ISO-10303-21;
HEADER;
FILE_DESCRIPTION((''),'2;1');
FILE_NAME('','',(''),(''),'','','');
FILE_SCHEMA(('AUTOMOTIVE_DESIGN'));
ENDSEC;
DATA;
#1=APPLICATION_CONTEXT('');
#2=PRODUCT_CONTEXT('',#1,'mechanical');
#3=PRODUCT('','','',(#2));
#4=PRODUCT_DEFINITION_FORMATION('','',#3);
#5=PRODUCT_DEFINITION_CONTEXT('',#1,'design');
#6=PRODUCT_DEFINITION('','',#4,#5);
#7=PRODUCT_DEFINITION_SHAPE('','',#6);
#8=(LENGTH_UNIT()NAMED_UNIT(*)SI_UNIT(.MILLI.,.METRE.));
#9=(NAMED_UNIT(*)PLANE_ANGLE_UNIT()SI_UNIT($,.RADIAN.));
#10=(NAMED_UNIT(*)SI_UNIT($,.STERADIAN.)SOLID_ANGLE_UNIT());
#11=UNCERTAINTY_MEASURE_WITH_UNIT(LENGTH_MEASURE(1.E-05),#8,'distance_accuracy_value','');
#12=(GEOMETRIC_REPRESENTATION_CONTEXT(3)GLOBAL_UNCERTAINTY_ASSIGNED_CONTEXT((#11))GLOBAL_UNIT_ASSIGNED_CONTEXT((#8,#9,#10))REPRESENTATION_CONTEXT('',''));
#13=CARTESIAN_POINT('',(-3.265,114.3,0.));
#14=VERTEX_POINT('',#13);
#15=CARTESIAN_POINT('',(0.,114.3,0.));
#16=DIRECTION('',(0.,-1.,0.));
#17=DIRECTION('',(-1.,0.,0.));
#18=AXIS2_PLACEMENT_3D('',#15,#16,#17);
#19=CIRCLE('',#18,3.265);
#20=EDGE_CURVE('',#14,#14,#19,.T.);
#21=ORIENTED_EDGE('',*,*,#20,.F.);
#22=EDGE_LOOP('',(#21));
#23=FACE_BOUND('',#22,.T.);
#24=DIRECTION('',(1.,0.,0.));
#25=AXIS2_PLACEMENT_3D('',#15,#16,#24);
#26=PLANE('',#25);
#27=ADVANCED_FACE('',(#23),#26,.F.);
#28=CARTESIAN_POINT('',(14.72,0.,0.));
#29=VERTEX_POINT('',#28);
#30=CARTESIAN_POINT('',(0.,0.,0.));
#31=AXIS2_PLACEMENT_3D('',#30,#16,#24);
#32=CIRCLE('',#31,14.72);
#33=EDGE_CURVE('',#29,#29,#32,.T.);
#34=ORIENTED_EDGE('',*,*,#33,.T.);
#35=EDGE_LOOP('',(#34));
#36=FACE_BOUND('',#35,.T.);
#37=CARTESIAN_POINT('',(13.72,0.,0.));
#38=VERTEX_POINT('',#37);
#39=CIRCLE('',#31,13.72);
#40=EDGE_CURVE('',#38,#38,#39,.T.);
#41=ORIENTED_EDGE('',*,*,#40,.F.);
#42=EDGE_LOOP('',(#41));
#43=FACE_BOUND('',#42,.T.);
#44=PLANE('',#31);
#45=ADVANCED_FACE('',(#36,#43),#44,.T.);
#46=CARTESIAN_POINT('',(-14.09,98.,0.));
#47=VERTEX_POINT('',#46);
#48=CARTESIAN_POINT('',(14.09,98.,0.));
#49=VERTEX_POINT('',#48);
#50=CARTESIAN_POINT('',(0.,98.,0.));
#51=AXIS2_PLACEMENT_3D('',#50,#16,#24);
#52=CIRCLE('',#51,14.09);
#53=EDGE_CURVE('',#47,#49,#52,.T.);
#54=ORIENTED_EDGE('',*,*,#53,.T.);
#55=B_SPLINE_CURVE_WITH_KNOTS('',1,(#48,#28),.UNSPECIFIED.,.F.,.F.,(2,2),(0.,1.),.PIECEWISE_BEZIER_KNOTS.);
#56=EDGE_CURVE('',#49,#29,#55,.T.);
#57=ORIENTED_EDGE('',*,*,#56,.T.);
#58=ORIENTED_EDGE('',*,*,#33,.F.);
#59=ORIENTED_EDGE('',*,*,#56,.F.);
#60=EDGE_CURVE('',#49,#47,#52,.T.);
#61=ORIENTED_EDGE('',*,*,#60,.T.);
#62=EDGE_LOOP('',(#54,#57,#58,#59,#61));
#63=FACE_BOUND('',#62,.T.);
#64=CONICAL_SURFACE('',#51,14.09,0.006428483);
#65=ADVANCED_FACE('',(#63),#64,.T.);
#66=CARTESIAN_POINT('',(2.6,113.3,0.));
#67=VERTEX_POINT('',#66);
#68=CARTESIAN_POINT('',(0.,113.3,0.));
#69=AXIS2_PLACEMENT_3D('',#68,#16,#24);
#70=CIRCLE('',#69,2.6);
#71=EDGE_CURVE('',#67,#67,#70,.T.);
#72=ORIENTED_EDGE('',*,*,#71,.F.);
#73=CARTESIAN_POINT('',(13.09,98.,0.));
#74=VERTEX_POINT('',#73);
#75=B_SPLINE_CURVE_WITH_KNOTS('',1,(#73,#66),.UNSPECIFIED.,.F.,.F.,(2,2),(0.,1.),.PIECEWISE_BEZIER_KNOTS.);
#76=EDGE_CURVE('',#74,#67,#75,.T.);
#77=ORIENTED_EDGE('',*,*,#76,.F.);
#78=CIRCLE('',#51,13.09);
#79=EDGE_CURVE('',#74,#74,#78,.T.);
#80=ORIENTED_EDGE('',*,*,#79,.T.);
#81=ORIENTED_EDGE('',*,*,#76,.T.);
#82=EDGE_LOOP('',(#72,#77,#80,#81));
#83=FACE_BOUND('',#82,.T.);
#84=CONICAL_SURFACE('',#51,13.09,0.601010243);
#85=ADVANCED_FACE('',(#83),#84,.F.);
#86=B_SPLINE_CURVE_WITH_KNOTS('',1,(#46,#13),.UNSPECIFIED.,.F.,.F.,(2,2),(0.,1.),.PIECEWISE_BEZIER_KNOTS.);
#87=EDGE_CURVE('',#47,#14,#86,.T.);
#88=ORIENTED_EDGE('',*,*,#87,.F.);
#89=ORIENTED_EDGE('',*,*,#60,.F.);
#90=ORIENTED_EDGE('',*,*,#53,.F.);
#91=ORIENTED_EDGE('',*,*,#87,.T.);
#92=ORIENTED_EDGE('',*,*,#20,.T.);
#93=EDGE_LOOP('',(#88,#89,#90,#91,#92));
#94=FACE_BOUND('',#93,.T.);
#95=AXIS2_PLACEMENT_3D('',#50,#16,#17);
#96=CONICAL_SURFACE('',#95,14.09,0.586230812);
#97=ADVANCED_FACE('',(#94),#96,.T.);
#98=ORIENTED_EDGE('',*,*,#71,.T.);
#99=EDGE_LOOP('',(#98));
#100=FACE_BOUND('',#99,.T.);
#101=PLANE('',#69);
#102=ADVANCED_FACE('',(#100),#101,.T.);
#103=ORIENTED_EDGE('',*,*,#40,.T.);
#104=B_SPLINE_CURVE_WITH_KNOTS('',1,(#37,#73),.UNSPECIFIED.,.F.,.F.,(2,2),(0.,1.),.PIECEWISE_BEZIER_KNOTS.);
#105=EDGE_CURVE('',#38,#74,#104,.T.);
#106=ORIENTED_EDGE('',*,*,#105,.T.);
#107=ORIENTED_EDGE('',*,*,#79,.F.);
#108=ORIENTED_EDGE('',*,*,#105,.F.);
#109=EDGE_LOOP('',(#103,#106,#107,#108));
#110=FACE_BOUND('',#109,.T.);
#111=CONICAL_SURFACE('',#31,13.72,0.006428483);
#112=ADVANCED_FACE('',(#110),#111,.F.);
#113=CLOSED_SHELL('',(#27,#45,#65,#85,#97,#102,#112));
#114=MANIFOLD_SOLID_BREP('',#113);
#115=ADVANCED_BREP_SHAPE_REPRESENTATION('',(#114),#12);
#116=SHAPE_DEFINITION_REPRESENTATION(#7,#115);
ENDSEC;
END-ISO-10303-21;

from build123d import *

# Parameters (mm, degrees)
F2_R       = 14.09
F0_R       = 14.72
F3_FACE_R  = 14.09
F7_R       = 3.265
F4_R       = 13.72
F5_R       = 13.09
F10_FACE_R = 13.09
F11_R      = 2.6


with BuildPart() as f3:
    # F2 (on offset) → F3 section 0
    with BuildSketch(Plane.XZ.offset(-98)):
        Circle(F2_R)
    # F0 (on Front) → F3 section 1
    with BuildSketch(Plane.XZ):
        Circle(F0_R)
    loft()

    # F3_face (on face) → F9 section 0
    with BuildSketch(Plane(origin=(0, 98, 0), x_dir=(-1, 0, 0), z_dir=(0, 1, 0))):
        Circle(F3_FACE_R)
    # F7 (on offset) → F9 section 1
    with BuildSketch(Plane.XZ.offset(-114.3)):
        Circle(F7_R)
    loft()

    # F4 (on Front) → F10 section 0
    with BuildSketch(Plane.XZ):
        Circle(F4_R)
    # F5 (on offset) → F10 section 1
    with BuildSketch(Plane.XZ.offset(-98)):
        Circle(F5_R)
    loft(mode=Mode.SUBTRACT)

    # F10_face (on face) → F12 section 0
    with BuildSketch(Plane.XZ.offset(-98)):
        Circle(F10_FACE_R)
    # F11 (on offset) → F12 section 1
    with BuildSketch(Plane.XZ.offset(-113.3)):
        Circle(F11_R)
    loft(mode=Mode.SUBTRACT)


solid = f3.part
